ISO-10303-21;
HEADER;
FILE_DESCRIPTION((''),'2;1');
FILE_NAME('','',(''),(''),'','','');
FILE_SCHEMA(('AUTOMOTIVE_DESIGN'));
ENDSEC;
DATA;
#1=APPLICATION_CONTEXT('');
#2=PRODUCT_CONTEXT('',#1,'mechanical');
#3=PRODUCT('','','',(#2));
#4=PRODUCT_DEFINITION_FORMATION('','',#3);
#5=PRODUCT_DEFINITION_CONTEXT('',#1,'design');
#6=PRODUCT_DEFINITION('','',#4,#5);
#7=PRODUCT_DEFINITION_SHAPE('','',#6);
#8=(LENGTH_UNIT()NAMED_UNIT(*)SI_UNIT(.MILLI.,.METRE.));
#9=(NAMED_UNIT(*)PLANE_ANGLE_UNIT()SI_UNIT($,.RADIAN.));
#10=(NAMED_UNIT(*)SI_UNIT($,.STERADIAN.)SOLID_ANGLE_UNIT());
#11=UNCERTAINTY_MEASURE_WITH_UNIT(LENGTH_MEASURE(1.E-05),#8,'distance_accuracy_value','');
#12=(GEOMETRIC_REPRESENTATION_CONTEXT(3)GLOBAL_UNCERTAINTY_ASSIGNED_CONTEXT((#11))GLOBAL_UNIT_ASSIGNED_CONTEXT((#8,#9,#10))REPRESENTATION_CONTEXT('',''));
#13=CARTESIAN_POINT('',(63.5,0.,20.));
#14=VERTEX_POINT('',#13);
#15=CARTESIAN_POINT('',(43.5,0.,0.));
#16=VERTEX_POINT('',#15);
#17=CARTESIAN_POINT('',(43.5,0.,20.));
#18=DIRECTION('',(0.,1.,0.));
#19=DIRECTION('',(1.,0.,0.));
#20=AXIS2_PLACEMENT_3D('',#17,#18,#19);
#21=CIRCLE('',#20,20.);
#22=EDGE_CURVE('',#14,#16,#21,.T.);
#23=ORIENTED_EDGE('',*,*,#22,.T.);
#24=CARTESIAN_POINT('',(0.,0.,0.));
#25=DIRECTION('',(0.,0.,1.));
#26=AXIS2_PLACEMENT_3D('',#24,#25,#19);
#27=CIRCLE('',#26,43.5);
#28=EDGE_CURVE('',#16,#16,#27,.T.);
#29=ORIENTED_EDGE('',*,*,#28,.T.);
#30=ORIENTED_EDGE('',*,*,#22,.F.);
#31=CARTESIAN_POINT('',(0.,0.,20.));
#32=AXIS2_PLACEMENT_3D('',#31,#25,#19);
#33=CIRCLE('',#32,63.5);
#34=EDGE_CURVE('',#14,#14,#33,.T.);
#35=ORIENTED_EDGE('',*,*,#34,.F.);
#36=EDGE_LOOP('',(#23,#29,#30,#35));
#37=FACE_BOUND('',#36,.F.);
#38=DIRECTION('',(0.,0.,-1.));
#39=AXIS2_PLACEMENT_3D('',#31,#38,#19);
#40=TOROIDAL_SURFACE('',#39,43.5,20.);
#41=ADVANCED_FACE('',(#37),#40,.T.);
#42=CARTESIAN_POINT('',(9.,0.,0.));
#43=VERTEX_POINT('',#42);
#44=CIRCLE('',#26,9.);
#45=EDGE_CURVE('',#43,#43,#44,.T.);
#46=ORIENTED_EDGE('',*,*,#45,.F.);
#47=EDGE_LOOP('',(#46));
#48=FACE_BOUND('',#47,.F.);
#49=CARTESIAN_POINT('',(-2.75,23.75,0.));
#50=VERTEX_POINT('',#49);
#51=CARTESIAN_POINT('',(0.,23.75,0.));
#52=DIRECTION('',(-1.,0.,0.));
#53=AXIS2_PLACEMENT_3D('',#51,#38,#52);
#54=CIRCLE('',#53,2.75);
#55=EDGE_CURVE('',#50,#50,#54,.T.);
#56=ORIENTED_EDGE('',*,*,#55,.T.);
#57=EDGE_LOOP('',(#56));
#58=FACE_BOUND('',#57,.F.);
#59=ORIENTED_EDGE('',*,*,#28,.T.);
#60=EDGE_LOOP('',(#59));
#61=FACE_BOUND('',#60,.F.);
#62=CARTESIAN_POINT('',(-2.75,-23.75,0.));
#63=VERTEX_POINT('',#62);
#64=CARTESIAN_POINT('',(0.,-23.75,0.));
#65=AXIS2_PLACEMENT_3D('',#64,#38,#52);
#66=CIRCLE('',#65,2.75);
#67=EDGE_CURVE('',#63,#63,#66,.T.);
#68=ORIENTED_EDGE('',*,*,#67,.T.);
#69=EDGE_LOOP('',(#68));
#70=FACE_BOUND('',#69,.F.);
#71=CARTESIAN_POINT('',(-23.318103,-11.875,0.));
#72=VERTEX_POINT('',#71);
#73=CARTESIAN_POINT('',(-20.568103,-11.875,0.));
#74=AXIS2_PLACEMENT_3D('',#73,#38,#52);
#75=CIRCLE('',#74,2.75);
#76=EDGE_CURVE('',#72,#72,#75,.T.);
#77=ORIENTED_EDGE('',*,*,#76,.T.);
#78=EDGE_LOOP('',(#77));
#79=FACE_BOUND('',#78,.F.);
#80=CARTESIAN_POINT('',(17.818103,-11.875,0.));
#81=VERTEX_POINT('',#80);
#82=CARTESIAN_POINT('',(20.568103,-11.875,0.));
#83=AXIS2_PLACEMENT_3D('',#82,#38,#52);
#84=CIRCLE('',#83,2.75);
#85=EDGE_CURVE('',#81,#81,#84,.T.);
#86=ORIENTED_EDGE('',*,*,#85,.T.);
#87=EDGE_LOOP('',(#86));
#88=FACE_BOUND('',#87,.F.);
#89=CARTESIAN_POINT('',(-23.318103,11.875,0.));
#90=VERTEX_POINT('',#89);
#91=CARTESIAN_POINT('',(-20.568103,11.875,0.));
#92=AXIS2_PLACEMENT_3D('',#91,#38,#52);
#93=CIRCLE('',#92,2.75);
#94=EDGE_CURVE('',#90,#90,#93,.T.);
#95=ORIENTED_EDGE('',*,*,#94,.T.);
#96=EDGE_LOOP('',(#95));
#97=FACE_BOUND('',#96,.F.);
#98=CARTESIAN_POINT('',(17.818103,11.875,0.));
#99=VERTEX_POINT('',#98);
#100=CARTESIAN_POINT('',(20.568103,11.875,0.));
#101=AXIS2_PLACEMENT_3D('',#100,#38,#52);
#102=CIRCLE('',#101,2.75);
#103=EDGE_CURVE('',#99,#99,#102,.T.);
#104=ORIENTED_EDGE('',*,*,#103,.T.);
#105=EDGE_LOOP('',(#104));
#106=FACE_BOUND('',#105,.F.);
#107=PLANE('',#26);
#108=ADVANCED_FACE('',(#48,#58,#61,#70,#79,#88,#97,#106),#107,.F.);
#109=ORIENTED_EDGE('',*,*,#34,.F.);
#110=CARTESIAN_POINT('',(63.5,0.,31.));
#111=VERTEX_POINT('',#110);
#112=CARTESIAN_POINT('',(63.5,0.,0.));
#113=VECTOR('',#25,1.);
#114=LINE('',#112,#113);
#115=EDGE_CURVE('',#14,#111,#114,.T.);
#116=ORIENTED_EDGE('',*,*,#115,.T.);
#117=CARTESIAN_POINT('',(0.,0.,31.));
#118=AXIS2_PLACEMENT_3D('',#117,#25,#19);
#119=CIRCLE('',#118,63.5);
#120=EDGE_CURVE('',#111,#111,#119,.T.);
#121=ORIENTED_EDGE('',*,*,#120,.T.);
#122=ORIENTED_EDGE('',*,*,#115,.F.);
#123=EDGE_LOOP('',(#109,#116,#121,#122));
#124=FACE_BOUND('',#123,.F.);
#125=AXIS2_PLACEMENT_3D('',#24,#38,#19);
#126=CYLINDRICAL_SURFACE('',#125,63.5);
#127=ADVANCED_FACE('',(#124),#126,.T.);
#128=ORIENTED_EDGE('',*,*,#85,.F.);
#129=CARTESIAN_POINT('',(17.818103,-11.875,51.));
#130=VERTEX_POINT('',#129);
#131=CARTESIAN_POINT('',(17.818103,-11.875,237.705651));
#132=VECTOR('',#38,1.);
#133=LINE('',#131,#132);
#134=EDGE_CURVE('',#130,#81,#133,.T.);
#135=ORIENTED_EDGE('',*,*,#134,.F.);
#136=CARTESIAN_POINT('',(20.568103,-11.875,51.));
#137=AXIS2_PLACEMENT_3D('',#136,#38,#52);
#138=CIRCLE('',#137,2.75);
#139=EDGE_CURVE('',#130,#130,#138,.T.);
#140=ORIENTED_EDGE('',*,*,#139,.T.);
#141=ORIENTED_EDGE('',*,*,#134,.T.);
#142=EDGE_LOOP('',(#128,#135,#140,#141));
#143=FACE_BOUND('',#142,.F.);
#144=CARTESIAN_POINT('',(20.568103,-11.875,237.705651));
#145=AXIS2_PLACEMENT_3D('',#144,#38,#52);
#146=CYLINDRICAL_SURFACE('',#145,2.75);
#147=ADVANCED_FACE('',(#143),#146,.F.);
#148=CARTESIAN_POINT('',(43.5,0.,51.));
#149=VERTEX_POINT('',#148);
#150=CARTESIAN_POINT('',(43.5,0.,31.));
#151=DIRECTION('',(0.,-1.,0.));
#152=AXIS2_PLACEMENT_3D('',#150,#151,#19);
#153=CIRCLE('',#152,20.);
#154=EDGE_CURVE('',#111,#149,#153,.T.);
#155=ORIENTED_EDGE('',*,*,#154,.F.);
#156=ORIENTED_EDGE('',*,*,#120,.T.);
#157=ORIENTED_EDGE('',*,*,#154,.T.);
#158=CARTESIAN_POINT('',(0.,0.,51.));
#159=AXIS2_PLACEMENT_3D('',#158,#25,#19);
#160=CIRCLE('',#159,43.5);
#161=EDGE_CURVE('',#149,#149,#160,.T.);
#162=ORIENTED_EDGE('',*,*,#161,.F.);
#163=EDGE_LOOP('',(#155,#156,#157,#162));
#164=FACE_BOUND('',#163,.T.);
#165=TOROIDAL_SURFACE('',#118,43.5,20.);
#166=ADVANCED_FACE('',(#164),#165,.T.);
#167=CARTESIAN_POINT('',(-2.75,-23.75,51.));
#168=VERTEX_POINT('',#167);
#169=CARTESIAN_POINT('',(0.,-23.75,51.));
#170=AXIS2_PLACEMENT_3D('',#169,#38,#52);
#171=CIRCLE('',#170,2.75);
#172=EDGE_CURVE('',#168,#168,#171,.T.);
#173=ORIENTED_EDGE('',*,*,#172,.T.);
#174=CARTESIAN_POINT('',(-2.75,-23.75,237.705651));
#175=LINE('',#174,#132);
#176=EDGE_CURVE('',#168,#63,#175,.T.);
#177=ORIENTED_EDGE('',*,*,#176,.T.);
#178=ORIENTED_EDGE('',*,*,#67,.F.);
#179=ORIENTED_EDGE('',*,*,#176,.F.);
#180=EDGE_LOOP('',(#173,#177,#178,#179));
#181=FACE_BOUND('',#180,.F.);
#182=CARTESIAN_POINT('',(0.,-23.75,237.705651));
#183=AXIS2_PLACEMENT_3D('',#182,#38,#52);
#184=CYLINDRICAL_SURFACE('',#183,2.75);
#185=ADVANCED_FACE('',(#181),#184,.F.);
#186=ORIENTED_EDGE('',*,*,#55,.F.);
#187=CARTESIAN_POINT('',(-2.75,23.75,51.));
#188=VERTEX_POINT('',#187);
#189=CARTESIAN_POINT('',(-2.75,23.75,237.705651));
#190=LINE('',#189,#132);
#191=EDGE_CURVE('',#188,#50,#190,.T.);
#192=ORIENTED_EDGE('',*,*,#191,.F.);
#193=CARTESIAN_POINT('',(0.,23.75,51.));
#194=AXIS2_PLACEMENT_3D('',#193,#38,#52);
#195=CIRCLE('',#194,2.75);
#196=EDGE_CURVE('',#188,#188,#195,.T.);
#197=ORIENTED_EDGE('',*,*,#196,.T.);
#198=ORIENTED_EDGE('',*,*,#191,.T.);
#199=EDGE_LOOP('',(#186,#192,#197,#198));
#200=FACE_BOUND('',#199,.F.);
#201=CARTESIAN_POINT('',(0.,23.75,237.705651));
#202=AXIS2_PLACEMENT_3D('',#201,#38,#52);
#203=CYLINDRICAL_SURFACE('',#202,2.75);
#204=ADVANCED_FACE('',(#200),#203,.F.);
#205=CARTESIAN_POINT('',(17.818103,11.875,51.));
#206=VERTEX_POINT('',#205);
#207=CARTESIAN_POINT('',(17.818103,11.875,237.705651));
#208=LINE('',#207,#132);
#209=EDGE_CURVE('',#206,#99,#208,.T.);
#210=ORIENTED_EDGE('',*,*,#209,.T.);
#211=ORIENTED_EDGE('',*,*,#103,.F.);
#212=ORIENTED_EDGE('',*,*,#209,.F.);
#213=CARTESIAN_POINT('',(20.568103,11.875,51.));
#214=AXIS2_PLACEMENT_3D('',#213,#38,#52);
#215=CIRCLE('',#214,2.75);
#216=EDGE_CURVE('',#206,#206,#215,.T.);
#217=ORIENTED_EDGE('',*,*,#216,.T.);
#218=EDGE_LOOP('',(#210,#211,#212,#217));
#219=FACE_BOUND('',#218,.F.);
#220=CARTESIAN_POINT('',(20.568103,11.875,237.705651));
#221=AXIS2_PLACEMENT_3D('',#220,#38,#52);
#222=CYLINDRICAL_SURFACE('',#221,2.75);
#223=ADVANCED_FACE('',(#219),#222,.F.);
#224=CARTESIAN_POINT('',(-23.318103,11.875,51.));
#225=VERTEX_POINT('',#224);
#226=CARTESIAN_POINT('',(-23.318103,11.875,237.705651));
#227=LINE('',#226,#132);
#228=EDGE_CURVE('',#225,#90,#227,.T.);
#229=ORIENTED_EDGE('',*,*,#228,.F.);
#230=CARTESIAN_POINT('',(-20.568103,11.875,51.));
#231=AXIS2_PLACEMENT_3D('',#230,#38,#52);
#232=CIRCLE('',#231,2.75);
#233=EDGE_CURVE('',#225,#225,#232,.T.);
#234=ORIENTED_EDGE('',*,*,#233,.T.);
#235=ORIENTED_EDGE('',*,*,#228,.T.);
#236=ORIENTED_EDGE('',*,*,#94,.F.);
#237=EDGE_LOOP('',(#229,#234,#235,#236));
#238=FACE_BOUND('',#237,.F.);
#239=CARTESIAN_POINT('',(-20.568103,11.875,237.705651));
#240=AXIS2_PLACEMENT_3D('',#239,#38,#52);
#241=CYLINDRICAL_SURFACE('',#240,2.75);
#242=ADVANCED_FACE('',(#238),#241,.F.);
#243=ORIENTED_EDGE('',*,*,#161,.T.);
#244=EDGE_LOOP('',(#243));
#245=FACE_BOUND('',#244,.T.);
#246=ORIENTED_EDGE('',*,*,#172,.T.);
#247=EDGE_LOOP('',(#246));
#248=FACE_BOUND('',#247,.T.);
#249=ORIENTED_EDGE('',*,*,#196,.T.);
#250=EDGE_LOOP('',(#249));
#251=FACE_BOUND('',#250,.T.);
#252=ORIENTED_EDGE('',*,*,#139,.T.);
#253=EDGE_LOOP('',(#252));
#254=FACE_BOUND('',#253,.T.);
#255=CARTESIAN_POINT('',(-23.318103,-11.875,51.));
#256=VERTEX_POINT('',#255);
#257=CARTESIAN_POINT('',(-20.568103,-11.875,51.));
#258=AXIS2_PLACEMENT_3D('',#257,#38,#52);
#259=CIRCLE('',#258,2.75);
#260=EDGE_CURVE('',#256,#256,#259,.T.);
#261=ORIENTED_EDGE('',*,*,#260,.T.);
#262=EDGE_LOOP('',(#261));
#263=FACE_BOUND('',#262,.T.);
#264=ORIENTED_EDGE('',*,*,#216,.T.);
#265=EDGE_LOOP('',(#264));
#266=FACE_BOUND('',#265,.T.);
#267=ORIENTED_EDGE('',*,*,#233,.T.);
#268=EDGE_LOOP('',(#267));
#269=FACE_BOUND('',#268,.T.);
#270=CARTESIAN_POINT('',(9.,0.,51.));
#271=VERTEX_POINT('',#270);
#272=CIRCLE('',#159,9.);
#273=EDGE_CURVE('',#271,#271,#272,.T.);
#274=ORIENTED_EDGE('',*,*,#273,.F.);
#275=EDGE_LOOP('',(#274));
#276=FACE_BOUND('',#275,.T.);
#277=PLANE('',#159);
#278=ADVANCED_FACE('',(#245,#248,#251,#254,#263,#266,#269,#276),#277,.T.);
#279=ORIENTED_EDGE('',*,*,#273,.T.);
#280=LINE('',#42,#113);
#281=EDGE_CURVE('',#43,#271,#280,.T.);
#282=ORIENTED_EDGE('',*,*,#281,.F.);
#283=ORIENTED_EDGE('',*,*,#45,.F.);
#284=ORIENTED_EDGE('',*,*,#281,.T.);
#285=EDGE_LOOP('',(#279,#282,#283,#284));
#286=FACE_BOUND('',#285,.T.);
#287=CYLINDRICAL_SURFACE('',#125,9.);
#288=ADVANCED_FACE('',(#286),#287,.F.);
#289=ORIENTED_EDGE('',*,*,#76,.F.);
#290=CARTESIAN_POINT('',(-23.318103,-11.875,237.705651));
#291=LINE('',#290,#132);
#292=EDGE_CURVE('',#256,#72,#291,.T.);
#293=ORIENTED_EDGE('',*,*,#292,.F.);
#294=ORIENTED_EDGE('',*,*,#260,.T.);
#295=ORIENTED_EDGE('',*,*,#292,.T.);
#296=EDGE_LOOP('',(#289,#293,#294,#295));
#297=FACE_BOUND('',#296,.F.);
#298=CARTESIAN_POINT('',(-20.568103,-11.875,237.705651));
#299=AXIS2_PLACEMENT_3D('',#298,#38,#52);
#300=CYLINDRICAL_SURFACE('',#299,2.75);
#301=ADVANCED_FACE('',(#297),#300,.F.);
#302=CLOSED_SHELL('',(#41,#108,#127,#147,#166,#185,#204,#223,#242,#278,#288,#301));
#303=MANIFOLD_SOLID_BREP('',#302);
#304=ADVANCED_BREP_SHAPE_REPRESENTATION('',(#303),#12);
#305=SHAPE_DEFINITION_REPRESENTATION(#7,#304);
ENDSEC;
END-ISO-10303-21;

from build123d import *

# Parameters (mm, degrees)
SKETCH1_R            = 63.5
SKETCH1_R_2          = 9
BOSS_EXTRUDE1_DEPTH  = 51
FILLET1_R            = 20
M5_CLEARANCE_HOLE1_D = 5.5


with BuildPart() as part:
    # Sketch1 → Boss-Extrude1 (new body)
    with BuildSketch(Plane.XY):
        Circle(SKETCH1_R)
        Circle(SKETCH1_R_2, mode=Mode.SUBTRACT)
    extrude(amount=BOSS_EXTRUDE1_DEPTH)

    # Fillet1
    fillet1_edges = [part.edges().sort_by_distance(p)[0] for p in [
        (-63.5, 0, 0),
        (-63.5, 0, 51),
    ]]
    fillet(fillet1_edges, radius=FILLET1_R)

    # M5 Clearance Hole1 (through all)
    with Locations(Plane.XY.offset(51)):
        with Locations((0, 23.75), (20.56810334, 11.875), (20.56810334, -11.875), (0, -23.75), (-20.56810334, -11.875), (-20.56810334, 11.875)):
            Hole(M5_CLEARANCE_HOLE1_D / 2)


solid = part.part
